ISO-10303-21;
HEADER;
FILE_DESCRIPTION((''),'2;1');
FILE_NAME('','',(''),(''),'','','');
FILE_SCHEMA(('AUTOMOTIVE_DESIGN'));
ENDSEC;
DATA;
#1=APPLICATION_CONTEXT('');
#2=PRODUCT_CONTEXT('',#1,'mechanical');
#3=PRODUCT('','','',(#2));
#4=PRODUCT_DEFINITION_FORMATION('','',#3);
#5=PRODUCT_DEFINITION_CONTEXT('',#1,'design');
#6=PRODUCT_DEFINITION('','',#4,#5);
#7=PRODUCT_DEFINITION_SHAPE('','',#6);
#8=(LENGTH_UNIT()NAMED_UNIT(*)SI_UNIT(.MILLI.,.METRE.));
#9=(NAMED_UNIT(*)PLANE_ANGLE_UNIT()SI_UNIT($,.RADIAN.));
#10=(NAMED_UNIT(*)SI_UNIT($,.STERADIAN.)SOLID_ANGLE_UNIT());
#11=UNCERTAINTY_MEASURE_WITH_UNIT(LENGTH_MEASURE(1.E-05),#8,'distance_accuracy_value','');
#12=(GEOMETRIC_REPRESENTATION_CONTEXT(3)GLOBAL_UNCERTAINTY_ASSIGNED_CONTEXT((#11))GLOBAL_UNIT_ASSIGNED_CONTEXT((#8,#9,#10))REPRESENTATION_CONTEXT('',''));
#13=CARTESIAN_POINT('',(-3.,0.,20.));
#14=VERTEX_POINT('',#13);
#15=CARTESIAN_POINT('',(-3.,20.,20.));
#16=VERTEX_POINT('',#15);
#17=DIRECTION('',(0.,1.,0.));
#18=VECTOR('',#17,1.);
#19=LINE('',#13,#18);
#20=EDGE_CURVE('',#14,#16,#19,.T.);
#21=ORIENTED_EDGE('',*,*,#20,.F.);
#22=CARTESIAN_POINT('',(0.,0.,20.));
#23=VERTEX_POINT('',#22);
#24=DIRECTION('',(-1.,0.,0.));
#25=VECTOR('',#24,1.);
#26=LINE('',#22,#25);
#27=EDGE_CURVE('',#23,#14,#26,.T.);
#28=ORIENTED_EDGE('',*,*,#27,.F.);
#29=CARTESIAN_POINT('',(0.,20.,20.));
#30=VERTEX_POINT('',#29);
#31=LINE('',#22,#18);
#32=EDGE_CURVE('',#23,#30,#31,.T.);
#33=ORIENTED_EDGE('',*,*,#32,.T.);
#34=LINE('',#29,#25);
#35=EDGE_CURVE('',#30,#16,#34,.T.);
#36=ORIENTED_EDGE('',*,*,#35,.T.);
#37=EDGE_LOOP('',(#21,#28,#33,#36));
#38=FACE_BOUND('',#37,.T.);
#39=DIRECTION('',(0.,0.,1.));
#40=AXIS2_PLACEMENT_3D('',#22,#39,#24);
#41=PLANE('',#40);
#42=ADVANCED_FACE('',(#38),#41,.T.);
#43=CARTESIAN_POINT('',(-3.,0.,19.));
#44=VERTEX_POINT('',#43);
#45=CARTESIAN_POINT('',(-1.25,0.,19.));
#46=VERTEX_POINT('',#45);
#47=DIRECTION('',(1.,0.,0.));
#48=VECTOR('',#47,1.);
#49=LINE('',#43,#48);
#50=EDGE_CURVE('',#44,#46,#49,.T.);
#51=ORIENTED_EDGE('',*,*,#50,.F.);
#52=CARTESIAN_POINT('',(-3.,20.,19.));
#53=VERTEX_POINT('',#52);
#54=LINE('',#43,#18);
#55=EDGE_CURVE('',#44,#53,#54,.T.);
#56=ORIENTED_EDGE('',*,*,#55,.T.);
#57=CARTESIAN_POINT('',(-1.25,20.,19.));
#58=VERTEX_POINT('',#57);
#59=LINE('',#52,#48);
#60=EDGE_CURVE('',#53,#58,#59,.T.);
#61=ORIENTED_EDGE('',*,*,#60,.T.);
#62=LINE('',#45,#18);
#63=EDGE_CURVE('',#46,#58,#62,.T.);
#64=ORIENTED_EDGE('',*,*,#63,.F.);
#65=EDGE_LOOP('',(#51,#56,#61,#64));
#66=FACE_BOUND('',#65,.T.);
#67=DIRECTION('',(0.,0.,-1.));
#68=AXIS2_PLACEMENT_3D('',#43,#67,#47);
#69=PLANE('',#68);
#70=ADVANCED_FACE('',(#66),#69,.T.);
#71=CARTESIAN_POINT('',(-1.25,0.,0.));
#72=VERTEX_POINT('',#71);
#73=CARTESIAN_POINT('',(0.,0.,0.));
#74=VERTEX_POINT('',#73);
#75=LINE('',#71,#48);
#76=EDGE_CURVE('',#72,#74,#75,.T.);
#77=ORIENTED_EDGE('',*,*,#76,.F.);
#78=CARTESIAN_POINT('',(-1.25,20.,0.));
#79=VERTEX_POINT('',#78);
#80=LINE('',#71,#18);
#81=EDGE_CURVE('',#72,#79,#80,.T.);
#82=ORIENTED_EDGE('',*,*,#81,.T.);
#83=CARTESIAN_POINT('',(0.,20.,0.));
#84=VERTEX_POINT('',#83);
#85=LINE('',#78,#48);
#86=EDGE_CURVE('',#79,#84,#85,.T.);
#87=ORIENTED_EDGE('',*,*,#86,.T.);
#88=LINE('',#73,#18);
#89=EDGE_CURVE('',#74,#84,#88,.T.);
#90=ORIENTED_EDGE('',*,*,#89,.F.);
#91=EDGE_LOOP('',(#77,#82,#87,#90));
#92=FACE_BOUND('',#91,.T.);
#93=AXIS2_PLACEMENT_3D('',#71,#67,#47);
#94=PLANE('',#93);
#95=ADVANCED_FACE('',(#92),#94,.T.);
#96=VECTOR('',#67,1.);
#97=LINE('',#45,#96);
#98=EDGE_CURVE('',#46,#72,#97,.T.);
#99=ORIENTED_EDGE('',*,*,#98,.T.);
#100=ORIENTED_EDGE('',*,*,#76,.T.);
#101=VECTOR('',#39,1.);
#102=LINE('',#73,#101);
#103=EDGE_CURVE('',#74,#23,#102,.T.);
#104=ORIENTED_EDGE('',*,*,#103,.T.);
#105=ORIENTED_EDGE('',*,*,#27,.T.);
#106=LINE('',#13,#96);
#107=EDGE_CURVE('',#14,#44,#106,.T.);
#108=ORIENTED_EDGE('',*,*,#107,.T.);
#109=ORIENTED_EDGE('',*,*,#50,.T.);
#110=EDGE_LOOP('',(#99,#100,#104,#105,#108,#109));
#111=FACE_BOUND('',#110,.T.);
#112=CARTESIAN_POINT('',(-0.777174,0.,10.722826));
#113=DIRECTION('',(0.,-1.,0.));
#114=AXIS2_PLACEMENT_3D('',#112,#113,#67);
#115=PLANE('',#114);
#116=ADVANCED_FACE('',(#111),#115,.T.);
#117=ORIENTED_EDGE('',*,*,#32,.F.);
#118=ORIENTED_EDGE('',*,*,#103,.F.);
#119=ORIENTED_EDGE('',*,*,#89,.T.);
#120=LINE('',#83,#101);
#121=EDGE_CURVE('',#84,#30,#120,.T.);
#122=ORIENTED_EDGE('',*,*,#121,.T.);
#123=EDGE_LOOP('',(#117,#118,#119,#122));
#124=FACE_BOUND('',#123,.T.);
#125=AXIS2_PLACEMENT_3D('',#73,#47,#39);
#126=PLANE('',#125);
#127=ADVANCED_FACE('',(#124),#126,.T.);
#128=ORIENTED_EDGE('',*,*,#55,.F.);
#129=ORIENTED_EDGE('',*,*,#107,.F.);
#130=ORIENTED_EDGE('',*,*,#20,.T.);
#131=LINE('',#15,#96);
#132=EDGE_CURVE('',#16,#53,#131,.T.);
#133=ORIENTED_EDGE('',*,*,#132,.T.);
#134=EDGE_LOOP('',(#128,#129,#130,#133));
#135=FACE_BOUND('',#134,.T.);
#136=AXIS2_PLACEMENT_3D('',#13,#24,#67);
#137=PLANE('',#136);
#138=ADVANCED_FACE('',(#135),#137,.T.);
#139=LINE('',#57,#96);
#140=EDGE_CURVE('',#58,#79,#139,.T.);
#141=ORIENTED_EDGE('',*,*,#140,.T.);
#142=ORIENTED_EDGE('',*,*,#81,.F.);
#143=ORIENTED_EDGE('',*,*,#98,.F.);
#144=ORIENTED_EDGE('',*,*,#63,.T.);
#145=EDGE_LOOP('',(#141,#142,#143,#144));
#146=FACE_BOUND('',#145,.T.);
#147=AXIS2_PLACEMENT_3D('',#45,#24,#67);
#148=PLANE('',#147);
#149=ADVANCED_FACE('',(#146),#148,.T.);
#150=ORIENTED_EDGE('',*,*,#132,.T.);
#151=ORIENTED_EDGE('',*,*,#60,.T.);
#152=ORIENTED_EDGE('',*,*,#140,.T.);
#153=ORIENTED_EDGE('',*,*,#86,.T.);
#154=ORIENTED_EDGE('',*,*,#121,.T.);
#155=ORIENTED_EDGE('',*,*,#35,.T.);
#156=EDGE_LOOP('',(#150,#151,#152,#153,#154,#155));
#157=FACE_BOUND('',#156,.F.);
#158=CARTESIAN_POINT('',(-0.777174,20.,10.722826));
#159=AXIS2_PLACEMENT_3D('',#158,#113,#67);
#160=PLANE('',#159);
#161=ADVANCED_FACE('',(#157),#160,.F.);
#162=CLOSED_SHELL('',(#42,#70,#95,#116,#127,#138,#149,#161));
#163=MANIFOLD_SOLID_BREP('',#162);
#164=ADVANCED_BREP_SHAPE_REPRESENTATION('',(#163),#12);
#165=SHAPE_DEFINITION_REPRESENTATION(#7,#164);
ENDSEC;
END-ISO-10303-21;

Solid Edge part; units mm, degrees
sketch "Sketch1" plane through (0, 0, 0) normal (0, -1, 0) x (1, 0, 0)
  line L0 (0, 0) -> (0, 20)
  line L1 (0, 20) -> (-3, 20)
  line L2 (-3, 20) -> (-3, 19)
  line L3 (-3, 19) -> (-1.25, 19)
  line L4 (-1.25, 19) -> (-1.25, 0)
  line L5 (-1.25, 0) -> (0, 0)
extrude "Protrusion1" add sketch "Sketch1" against normal blind 20
